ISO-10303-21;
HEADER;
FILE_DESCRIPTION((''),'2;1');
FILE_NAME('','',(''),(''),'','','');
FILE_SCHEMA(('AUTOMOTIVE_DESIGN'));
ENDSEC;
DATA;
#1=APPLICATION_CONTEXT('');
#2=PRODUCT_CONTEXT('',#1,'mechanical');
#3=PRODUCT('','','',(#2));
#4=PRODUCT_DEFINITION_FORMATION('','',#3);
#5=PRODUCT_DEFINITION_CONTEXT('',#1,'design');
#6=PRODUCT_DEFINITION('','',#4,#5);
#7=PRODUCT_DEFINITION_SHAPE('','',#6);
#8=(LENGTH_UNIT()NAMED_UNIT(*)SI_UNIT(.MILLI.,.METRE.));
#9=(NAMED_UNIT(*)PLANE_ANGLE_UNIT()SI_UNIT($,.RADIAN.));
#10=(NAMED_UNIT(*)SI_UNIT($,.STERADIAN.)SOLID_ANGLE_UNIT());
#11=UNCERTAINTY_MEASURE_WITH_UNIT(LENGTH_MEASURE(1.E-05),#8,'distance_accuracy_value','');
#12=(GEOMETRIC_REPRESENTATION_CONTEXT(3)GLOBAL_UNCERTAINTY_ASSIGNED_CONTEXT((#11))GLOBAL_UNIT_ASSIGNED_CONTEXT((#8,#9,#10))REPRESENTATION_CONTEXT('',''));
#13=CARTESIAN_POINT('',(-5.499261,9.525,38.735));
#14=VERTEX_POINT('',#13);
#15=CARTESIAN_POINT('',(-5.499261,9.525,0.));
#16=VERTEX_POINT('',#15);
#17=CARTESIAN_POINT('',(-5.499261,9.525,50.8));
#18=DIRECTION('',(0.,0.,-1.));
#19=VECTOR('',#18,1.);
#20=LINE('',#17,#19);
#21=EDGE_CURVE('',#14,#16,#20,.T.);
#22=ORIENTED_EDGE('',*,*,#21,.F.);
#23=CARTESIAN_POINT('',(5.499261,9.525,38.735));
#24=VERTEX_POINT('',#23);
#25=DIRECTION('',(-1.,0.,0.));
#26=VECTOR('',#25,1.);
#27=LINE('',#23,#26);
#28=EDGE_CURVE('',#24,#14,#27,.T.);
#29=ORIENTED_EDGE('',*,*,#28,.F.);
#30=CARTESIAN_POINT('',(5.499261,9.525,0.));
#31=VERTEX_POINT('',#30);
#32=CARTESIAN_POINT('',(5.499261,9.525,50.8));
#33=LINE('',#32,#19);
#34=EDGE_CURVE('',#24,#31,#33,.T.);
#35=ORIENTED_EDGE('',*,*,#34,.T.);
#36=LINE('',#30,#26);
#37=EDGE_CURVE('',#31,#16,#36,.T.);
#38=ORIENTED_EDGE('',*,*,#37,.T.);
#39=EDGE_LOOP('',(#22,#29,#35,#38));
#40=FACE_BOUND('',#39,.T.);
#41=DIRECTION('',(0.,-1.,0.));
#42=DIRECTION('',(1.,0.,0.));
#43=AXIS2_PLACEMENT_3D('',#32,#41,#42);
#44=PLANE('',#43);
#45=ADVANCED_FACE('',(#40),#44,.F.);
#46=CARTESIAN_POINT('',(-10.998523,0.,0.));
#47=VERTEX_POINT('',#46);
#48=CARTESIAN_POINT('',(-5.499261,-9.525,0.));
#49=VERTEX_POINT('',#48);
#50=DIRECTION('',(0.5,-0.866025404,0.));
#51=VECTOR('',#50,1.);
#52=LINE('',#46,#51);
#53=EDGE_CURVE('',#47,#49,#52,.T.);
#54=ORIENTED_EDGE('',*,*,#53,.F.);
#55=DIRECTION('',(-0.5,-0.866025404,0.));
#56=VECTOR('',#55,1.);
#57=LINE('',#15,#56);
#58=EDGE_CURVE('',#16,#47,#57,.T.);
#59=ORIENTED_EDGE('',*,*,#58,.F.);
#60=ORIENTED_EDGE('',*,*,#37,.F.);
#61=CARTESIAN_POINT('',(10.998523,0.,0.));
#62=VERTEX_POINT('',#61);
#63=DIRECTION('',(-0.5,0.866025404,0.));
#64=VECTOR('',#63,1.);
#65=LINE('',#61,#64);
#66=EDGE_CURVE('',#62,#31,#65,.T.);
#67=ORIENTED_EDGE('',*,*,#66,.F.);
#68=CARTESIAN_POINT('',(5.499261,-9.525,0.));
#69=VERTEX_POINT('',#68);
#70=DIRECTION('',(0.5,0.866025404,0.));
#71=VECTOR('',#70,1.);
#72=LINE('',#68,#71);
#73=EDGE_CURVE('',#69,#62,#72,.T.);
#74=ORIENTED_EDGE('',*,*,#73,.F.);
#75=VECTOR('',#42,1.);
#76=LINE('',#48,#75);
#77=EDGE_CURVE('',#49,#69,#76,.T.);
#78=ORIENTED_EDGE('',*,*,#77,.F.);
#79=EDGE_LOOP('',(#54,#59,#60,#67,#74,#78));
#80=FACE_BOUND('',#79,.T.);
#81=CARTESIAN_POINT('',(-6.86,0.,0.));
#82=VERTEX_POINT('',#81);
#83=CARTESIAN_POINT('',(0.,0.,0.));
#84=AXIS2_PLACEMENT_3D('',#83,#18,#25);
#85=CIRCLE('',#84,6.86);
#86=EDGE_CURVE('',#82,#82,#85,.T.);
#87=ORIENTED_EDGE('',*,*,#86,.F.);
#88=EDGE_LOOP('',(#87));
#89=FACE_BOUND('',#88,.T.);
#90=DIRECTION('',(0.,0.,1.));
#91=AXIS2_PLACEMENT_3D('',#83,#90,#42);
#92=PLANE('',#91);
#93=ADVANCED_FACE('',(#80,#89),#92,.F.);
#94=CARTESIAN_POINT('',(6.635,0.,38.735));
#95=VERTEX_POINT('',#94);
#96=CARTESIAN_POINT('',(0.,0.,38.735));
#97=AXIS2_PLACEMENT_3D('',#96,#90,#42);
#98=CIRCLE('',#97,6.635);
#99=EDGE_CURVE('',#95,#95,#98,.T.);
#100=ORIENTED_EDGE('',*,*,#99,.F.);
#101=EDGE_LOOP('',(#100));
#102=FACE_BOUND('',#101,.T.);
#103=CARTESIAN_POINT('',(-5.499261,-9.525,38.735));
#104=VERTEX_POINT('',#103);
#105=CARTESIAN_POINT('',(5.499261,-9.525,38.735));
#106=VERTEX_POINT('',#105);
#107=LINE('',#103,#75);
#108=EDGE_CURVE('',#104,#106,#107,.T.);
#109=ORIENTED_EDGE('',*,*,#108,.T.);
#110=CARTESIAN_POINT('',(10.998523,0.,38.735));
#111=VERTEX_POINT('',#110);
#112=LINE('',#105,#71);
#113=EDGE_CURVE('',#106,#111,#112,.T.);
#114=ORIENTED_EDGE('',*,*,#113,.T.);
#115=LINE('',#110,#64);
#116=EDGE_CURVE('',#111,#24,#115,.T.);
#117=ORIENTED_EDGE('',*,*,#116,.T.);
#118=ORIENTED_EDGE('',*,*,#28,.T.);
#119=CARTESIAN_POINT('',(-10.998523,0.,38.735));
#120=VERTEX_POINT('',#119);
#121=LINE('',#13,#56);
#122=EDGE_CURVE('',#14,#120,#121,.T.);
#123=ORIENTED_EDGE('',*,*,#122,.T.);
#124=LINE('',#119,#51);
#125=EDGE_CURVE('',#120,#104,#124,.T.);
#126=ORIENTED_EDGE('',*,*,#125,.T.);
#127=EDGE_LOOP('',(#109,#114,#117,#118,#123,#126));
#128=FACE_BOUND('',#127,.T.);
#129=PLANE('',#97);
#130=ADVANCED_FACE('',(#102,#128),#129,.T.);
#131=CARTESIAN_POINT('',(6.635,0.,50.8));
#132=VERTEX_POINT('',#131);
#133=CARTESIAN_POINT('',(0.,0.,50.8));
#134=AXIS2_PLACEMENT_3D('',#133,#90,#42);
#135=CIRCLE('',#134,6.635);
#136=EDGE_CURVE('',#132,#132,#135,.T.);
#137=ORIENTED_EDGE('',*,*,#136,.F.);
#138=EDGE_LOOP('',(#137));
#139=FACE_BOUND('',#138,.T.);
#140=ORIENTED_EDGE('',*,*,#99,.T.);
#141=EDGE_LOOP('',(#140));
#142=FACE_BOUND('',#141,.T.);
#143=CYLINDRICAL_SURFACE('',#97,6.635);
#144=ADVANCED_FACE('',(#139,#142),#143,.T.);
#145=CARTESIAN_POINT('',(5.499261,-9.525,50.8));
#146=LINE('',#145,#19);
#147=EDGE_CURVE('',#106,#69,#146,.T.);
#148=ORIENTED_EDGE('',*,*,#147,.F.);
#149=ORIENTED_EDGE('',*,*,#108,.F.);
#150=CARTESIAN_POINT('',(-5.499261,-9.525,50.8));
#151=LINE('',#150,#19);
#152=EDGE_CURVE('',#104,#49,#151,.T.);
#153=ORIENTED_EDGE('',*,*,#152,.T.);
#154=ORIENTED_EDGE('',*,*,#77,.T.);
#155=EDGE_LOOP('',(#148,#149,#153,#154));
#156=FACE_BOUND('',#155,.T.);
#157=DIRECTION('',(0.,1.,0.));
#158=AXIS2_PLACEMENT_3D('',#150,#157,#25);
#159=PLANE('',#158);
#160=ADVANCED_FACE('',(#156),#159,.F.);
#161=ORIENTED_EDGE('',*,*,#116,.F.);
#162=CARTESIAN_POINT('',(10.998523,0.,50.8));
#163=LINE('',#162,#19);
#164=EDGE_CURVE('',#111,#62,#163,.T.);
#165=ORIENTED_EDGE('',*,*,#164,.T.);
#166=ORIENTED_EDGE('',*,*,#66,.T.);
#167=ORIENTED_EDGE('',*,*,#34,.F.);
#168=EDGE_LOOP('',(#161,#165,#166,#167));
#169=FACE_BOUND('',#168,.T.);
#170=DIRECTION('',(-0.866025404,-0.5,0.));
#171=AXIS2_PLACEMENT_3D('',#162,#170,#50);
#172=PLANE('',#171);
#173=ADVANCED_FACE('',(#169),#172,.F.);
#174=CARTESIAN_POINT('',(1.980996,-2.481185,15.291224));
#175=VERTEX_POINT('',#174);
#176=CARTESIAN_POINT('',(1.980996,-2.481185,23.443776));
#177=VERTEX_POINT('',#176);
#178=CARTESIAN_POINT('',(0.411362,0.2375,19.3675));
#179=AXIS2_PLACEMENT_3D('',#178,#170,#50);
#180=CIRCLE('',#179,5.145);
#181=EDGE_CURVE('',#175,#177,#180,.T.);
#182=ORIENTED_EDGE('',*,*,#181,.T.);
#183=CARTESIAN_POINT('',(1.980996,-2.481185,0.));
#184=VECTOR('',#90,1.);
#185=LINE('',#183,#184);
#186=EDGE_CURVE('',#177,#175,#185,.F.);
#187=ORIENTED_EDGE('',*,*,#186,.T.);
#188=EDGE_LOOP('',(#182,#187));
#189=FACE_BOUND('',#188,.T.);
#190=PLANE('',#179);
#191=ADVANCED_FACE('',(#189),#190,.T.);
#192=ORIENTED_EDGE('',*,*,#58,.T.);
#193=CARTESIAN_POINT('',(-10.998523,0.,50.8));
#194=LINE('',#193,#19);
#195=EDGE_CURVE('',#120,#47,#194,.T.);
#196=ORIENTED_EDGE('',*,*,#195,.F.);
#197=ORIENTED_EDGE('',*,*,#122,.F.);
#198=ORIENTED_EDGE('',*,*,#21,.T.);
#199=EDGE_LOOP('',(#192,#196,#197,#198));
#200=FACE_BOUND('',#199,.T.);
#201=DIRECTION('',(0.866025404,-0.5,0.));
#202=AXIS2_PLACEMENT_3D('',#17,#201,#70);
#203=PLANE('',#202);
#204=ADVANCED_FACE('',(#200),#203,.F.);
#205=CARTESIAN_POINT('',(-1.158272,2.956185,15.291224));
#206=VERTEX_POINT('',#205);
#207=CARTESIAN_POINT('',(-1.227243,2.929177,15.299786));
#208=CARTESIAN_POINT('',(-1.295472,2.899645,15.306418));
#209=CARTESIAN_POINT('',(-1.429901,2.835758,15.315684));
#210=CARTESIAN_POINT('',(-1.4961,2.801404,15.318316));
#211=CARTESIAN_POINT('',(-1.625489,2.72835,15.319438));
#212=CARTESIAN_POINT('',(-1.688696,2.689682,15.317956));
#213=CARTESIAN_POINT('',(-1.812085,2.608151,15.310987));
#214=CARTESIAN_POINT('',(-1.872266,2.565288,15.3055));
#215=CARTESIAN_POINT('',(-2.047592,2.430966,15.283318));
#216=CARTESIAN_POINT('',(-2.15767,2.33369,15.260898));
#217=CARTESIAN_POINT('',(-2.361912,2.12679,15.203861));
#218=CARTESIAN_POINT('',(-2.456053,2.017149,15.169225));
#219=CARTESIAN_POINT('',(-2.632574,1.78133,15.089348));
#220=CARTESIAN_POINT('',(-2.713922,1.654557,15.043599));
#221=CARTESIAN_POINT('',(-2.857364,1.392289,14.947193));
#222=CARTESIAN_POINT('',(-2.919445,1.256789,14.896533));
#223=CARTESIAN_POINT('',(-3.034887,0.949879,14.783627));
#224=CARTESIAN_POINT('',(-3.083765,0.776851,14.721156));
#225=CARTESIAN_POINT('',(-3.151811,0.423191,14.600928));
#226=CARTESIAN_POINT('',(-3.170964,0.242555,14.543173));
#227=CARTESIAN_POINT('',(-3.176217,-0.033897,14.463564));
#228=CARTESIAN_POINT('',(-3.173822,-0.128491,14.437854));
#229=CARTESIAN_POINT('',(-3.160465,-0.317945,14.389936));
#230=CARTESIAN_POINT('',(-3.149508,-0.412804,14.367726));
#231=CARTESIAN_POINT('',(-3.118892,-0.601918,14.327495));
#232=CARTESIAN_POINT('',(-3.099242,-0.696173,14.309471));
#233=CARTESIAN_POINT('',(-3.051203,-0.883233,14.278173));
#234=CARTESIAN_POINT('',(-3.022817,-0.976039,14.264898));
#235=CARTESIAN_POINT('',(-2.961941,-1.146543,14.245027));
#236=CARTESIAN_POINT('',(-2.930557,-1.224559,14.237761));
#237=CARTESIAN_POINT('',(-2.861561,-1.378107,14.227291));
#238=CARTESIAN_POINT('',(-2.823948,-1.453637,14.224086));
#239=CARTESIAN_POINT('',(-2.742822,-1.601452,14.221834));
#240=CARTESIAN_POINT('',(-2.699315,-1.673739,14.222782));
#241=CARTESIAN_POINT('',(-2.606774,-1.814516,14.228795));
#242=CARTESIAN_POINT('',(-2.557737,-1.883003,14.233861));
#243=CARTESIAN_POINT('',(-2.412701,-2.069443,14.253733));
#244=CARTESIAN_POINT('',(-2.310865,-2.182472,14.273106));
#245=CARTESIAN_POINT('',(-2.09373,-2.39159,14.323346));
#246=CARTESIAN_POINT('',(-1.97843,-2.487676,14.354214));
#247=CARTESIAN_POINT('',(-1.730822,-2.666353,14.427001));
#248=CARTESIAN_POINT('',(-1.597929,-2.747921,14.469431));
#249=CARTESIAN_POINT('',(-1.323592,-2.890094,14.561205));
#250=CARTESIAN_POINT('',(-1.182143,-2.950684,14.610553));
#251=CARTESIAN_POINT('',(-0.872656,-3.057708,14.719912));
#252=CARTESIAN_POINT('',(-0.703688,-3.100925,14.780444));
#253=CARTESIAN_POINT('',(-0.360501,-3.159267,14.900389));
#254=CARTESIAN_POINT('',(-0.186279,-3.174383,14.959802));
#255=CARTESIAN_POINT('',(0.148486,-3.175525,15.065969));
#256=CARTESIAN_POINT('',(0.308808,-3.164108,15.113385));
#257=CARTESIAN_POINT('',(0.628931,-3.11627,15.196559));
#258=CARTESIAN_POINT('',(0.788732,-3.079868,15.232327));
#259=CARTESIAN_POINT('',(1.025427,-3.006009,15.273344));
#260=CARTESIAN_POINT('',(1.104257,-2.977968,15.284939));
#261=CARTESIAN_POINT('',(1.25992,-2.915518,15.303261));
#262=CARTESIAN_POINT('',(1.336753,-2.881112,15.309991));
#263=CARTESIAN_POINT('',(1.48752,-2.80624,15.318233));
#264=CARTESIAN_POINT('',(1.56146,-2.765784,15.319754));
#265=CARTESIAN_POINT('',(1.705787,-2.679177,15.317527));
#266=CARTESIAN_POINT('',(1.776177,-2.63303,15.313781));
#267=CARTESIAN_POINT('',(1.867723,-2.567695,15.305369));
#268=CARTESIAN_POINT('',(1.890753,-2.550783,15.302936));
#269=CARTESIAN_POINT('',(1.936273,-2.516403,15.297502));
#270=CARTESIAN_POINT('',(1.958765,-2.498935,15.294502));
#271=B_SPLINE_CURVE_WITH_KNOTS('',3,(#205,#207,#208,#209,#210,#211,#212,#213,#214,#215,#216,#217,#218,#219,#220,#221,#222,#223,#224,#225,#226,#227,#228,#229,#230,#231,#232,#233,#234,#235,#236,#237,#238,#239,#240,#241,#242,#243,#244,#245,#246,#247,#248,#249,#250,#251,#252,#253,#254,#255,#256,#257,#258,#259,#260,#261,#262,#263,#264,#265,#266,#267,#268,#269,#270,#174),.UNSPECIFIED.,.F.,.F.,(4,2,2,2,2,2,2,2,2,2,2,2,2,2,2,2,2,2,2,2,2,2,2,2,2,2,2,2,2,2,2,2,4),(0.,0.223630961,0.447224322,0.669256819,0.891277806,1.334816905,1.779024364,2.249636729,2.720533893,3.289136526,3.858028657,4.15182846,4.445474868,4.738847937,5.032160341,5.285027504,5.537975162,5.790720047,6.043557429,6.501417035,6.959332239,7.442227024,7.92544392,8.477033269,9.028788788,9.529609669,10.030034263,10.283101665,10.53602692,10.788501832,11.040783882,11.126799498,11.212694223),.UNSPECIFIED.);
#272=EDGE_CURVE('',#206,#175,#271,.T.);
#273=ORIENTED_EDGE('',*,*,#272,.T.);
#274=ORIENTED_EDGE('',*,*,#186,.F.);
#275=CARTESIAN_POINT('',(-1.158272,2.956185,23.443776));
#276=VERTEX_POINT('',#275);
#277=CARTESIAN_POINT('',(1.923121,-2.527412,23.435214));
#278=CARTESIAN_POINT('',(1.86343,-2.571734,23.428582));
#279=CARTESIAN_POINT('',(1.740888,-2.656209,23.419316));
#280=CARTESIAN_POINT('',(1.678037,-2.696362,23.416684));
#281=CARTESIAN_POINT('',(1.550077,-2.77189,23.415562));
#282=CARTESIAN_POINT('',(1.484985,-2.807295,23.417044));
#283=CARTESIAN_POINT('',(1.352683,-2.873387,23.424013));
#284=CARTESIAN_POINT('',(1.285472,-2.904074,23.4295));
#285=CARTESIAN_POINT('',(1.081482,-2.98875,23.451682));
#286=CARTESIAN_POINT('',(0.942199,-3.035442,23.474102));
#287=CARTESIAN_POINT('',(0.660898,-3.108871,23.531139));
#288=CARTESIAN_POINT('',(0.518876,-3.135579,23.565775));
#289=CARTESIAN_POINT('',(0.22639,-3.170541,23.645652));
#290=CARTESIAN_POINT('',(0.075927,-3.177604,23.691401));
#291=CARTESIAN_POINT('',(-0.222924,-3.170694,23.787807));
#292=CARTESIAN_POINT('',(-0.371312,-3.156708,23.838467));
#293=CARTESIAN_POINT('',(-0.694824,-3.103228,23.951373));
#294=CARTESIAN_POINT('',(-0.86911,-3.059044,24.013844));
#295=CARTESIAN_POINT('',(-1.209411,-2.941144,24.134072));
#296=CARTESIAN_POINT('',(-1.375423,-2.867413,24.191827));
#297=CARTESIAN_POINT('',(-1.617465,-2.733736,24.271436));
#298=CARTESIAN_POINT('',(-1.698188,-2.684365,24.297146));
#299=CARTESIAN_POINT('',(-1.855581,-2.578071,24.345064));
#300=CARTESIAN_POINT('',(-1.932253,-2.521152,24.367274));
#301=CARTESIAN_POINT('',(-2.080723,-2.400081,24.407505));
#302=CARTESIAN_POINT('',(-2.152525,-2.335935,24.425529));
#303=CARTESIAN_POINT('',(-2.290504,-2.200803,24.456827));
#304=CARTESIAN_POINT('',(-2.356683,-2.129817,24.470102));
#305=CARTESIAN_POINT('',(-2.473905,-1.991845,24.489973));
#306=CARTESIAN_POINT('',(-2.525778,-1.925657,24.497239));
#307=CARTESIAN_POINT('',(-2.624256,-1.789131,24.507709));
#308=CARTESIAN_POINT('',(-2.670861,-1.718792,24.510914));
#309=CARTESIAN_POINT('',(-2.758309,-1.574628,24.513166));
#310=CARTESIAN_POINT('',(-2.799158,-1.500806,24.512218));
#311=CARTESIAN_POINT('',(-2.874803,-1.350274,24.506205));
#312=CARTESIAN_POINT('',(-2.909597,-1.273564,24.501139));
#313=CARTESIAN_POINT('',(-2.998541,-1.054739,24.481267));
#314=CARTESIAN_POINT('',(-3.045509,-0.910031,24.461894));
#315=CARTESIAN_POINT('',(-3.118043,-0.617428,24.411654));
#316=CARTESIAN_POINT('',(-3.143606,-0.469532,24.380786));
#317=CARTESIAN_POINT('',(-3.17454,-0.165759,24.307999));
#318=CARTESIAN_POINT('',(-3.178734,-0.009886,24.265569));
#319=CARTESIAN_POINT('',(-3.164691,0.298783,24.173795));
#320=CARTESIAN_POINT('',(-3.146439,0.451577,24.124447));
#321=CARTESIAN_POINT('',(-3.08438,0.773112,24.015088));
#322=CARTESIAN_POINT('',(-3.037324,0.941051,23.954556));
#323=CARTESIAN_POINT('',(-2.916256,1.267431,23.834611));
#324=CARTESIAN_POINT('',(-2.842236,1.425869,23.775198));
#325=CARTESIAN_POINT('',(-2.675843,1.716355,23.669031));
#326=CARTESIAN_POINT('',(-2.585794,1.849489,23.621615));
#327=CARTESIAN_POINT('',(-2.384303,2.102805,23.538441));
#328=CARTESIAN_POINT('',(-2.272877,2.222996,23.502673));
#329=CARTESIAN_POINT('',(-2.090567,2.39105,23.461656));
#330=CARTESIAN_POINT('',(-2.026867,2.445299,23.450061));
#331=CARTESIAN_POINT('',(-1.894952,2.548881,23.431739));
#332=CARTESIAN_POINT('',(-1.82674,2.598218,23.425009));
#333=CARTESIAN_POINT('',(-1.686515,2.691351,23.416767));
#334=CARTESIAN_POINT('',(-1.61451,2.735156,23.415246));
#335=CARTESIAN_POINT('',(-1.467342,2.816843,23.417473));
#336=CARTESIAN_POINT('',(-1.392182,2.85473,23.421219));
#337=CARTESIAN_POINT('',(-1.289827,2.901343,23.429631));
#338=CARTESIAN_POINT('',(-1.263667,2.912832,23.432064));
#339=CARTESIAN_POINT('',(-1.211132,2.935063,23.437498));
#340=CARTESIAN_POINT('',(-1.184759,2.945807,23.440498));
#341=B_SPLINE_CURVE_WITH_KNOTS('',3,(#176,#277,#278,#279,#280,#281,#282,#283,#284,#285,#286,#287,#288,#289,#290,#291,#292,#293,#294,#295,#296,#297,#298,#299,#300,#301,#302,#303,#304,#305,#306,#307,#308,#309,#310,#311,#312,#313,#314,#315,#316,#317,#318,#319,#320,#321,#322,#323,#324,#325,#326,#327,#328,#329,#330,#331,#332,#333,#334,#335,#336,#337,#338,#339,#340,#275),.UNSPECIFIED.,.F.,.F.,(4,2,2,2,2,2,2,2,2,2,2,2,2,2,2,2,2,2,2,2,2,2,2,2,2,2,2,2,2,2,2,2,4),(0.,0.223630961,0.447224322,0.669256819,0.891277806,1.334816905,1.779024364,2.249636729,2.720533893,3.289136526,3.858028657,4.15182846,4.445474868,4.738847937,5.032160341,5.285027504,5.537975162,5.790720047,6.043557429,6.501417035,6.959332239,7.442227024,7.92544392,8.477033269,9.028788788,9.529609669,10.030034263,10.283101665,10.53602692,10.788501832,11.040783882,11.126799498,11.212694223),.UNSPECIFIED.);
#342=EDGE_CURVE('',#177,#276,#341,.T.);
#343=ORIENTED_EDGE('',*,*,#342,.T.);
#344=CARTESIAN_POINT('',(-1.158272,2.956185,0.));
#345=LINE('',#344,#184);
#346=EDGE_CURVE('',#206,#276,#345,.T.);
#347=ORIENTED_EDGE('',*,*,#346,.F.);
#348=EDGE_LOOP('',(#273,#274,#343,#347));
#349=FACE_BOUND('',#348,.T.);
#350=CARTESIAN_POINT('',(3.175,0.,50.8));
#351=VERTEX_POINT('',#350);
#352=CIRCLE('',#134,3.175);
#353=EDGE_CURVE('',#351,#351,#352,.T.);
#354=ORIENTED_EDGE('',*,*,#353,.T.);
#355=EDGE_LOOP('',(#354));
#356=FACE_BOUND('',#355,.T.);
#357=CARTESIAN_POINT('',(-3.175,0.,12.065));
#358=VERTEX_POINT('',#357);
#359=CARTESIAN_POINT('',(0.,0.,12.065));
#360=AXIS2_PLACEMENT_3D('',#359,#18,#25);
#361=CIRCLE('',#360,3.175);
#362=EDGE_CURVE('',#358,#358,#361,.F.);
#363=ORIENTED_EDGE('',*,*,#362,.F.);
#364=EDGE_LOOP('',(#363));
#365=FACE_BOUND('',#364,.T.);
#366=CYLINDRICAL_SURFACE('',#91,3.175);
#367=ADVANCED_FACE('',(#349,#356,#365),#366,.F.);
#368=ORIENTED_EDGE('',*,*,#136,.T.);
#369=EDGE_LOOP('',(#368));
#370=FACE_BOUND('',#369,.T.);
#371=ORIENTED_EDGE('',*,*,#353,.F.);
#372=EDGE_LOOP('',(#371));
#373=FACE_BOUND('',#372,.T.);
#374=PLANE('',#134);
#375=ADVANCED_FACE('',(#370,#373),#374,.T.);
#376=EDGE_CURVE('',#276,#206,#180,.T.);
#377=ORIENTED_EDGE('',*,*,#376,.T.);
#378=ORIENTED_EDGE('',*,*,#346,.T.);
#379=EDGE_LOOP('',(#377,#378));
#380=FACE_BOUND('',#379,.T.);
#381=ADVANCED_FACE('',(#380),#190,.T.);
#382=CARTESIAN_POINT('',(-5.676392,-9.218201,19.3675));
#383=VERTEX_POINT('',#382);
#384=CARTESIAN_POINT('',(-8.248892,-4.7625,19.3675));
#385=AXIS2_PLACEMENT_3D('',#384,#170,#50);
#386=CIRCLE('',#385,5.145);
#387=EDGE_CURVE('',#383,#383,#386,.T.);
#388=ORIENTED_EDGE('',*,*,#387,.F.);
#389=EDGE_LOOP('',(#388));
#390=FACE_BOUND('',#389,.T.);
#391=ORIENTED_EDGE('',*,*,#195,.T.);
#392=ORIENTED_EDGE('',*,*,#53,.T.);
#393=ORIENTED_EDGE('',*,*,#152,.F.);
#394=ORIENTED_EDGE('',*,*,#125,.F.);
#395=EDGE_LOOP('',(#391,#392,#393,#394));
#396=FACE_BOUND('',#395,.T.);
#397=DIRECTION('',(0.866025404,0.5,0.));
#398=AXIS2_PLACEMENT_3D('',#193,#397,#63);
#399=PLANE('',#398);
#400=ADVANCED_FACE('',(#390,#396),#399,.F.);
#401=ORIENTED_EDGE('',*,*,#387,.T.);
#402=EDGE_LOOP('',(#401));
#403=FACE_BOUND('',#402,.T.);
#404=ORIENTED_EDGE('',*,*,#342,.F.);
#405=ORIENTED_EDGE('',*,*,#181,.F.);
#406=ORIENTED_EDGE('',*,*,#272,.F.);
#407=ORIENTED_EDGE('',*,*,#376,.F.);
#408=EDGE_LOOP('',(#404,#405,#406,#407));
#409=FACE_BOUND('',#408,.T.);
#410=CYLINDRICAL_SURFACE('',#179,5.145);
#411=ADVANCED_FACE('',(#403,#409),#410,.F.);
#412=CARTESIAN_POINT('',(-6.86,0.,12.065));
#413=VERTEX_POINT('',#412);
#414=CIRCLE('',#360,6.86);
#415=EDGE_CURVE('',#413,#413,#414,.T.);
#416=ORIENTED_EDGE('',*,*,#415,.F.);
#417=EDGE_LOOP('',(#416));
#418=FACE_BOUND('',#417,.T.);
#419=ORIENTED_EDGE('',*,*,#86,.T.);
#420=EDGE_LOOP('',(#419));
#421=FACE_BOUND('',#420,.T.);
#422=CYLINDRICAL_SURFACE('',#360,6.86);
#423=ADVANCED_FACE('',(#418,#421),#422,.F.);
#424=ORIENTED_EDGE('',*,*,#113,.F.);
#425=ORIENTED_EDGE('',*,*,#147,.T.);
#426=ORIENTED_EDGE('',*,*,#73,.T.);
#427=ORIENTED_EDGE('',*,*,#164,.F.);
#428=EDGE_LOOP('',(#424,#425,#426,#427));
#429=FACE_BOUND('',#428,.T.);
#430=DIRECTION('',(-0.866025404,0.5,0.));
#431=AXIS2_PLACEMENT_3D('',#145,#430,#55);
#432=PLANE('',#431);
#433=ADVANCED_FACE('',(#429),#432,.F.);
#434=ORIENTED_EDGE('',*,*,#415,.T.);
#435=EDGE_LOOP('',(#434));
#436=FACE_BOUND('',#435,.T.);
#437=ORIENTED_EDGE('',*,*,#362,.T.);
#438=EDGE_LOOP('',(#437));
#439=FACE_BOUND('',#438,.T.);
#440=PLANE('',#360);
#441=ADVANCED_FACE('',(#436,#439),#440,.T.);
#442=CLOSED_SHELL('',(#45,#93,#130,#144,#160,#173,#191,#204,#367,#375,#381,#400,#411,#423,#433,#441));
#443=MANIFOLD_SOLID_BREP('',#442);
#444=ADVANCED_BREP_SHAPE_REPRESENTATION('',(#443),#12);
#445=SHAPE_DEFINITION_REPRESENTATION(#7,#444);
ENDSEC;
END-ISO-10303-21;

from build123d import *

# Parameters (mm, degrees)
BOSS_EXTRUDE1_DEPTH = 50.8
SKETCH4_R           = 3.175
CUT_EXTRUDE2_DEPTH  = 51.8
SKETCH2_R           = 6.635
CUT_EXTRUDE1_DEPTH  = 12.065
SKETCH3_R           = 6.86
CUT_EXTRUDE3_DEPTH  = 12.065
SKETCH5_R           = 5.145
CUT_EXTRUDE4_DEPTH  = 10


with BuildPart() as part:
    # Sketch1 → Boss-Extrude1 (new body)
    with BuildSketch(Plane(origin=(0, 0, 0), x_dir=(0, 1, 0), z_dir=(0, 0, 1))):
        Polygon((9.525, -5.499261314), (9.525, 5.499261314), (0, 10.998522628), (-9.525, 5.499261314), (-9.525, -5.499261314), (0, -10.998522628), align=None)
    extrude(amount=BOSS_EXTRUDE1_DEPTH)

    # Sketch4 → Cut-Extrude2 (cut, through all)
    with BuildSketch(Plane.XY.offset(50.8)):
        Circle(SKETCH4_R)
    extrude(amount=-CUT_EXTRUDE2_DEPTH, mode=Mode.SUBTRACT)

    # Sketch2 → Cut-Extrude1 (cut)
    with BuildSketch(Plane.XY.offset(50.8)):
        Polygon((10.998522628, 0), (5.499261314, 9.525), (-5.499261314, 9.525), (-10.998522628, 0), (-5.499261314, -9.525), (5.499261314, -9.525), align=None)
        Circle(SKETCH2_R, mode=Mode.SUBTRACT)
    extrude(amount=-CUT_EXTRUDE1_DEPTH, mode=Mode.SUBTRACT)

    # Sketch3 → Cut-Extrude3 (cut)
    with BuildSketch(Plane(origin=(0, 0, 0), x_dir=(1, 0, 0), z_dir=(0, 0, -1))):
        Circle(SKETCH3_R)
    extrude(amount=-CUT_EXTRUDE3_DEPTH, mode=Mode.SUBTRACT)

    # Sketch5 → Cut-Extrude4 (cut)
    with BuildSketch(Plane(origin=(-8.248891971, -4.7625, 0), x_dir=(0.5, -0.866025404, 0), z_dir=(-0.866025404, -0.5, 0))):
        with Locations((0, 19.3675)):
            Circle(SKETCH5_R)
    extrude(amount=-CUT_EXTRUDE4_DEPTH, mode=Mode.SUBTRACT)


solid = part.part
